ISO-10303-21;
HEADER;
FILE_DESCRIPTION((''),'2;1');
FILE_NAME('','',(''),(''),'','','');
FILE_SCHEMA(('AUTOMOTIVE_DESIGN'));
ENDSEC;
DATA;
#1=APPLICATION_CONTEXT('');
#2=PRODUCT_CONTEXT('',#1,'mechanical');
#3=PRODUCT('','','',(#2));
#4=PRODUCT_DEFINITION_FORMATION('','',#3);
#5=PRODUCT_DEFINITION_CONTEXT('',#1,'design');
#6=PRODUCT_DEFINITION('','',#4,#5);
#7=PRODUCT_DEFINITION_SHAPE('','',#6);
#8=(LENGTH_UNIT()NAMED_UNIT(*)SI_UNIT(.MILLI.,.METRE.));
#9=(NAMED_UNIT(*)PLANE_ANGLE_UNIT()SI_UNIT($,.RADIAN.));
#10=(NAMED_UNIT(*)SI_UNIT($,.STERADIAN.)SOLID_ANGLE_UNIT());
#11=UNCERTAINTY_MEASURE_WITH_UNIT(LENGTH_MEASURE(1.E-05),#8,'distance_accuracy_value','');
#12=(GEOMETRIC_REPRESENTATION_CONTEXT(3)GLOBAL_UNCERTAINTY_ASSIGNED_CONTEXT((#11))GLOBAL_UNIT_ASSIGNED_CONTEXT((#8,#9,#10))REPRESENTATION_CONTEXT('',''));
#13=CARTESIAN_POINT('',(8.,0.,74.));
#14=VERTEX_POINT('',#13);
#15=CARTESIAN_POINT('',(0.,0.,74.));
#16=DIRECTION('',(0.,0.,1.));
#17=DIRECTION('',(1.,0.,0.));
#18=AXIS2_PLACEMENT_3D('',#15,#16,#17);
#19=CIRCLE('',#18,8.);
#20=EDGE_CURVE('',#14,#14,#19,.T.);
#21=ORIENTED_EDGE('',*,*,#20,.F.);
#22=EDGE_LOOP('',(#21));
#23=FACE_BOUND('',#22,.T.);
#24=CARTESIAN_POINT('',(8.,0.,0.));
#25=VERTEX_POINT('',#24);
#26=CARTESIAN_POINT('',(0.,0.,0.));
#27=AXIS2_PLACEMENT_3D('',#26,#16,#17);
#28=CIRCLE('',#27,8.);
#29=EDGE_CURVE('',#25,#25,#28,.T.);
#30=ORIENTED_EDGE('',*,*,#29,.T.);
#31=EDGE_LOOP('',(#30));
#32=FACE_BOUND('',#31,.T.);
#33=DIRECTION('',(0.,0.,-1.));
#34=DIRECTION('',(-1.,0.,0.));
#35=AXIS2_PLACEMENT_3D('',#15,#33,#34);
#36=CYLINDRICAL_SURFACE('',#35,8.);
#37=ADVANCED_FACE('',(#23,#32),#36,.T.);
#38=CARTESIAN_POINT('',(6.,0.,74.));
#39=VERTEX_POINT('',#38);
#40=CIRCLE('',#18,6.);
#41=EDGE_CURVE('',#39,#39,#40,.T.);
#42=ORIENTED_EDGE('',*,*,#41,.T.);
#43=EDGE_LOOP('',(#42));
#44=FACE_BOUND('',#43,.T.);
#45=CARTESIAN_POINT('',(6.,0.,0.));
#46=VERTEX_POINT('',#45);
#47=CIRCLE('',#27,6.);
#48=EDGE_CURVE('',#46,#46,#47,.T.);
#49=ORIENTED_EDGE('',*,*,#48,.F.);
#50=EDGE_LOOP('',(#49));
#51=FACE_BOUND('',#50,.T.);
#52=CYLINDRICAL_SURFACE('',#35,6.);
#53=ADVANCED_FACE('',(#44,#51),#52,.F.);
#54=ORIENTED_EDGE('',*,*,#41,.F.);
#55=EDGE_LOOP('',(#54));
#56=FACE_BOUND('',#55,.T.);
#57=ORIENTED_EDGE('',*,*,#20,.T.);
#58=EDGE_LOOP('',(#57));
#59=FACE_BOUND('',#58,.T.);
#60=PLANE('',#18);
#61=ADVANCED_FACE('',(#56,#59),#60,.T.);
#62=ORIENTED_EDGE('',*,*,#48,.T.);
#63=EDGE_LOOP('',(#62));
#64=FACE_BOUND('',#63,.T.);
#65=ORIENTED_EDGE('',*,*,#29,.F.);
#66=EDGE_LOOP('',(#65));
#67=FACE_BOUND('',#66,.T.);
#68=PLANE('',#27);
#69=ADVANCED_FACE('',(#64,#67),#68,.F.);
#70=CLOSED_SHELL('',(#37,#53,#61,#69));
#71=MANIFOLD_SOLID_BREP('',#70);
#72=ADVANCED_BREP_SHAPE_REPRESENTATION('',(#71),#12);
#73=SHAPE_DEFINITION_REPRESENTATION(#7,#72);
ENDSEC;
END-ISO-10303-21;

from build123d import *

# Parameters (mm, degrees)
IZIM1_R                     = 8
IZIM1_R_2                   = 6
Y_KSEKLIK_EKSTR_ZYON1_DEPTH = 74


with BuildPart() as part:
    # Çizim1 → Yükseklik-Ekstrüzyon1 (new body)
    with BuildSketch(Plane.XY):
        Circle(IZIM1_R)
        Circle(IZIM1_R_2, mode=Mode.SUBTRACT)
    extrude(amount=Y_KSEKLIK_EKSTR_ZYON1_DEPTH)


solid = part.part
